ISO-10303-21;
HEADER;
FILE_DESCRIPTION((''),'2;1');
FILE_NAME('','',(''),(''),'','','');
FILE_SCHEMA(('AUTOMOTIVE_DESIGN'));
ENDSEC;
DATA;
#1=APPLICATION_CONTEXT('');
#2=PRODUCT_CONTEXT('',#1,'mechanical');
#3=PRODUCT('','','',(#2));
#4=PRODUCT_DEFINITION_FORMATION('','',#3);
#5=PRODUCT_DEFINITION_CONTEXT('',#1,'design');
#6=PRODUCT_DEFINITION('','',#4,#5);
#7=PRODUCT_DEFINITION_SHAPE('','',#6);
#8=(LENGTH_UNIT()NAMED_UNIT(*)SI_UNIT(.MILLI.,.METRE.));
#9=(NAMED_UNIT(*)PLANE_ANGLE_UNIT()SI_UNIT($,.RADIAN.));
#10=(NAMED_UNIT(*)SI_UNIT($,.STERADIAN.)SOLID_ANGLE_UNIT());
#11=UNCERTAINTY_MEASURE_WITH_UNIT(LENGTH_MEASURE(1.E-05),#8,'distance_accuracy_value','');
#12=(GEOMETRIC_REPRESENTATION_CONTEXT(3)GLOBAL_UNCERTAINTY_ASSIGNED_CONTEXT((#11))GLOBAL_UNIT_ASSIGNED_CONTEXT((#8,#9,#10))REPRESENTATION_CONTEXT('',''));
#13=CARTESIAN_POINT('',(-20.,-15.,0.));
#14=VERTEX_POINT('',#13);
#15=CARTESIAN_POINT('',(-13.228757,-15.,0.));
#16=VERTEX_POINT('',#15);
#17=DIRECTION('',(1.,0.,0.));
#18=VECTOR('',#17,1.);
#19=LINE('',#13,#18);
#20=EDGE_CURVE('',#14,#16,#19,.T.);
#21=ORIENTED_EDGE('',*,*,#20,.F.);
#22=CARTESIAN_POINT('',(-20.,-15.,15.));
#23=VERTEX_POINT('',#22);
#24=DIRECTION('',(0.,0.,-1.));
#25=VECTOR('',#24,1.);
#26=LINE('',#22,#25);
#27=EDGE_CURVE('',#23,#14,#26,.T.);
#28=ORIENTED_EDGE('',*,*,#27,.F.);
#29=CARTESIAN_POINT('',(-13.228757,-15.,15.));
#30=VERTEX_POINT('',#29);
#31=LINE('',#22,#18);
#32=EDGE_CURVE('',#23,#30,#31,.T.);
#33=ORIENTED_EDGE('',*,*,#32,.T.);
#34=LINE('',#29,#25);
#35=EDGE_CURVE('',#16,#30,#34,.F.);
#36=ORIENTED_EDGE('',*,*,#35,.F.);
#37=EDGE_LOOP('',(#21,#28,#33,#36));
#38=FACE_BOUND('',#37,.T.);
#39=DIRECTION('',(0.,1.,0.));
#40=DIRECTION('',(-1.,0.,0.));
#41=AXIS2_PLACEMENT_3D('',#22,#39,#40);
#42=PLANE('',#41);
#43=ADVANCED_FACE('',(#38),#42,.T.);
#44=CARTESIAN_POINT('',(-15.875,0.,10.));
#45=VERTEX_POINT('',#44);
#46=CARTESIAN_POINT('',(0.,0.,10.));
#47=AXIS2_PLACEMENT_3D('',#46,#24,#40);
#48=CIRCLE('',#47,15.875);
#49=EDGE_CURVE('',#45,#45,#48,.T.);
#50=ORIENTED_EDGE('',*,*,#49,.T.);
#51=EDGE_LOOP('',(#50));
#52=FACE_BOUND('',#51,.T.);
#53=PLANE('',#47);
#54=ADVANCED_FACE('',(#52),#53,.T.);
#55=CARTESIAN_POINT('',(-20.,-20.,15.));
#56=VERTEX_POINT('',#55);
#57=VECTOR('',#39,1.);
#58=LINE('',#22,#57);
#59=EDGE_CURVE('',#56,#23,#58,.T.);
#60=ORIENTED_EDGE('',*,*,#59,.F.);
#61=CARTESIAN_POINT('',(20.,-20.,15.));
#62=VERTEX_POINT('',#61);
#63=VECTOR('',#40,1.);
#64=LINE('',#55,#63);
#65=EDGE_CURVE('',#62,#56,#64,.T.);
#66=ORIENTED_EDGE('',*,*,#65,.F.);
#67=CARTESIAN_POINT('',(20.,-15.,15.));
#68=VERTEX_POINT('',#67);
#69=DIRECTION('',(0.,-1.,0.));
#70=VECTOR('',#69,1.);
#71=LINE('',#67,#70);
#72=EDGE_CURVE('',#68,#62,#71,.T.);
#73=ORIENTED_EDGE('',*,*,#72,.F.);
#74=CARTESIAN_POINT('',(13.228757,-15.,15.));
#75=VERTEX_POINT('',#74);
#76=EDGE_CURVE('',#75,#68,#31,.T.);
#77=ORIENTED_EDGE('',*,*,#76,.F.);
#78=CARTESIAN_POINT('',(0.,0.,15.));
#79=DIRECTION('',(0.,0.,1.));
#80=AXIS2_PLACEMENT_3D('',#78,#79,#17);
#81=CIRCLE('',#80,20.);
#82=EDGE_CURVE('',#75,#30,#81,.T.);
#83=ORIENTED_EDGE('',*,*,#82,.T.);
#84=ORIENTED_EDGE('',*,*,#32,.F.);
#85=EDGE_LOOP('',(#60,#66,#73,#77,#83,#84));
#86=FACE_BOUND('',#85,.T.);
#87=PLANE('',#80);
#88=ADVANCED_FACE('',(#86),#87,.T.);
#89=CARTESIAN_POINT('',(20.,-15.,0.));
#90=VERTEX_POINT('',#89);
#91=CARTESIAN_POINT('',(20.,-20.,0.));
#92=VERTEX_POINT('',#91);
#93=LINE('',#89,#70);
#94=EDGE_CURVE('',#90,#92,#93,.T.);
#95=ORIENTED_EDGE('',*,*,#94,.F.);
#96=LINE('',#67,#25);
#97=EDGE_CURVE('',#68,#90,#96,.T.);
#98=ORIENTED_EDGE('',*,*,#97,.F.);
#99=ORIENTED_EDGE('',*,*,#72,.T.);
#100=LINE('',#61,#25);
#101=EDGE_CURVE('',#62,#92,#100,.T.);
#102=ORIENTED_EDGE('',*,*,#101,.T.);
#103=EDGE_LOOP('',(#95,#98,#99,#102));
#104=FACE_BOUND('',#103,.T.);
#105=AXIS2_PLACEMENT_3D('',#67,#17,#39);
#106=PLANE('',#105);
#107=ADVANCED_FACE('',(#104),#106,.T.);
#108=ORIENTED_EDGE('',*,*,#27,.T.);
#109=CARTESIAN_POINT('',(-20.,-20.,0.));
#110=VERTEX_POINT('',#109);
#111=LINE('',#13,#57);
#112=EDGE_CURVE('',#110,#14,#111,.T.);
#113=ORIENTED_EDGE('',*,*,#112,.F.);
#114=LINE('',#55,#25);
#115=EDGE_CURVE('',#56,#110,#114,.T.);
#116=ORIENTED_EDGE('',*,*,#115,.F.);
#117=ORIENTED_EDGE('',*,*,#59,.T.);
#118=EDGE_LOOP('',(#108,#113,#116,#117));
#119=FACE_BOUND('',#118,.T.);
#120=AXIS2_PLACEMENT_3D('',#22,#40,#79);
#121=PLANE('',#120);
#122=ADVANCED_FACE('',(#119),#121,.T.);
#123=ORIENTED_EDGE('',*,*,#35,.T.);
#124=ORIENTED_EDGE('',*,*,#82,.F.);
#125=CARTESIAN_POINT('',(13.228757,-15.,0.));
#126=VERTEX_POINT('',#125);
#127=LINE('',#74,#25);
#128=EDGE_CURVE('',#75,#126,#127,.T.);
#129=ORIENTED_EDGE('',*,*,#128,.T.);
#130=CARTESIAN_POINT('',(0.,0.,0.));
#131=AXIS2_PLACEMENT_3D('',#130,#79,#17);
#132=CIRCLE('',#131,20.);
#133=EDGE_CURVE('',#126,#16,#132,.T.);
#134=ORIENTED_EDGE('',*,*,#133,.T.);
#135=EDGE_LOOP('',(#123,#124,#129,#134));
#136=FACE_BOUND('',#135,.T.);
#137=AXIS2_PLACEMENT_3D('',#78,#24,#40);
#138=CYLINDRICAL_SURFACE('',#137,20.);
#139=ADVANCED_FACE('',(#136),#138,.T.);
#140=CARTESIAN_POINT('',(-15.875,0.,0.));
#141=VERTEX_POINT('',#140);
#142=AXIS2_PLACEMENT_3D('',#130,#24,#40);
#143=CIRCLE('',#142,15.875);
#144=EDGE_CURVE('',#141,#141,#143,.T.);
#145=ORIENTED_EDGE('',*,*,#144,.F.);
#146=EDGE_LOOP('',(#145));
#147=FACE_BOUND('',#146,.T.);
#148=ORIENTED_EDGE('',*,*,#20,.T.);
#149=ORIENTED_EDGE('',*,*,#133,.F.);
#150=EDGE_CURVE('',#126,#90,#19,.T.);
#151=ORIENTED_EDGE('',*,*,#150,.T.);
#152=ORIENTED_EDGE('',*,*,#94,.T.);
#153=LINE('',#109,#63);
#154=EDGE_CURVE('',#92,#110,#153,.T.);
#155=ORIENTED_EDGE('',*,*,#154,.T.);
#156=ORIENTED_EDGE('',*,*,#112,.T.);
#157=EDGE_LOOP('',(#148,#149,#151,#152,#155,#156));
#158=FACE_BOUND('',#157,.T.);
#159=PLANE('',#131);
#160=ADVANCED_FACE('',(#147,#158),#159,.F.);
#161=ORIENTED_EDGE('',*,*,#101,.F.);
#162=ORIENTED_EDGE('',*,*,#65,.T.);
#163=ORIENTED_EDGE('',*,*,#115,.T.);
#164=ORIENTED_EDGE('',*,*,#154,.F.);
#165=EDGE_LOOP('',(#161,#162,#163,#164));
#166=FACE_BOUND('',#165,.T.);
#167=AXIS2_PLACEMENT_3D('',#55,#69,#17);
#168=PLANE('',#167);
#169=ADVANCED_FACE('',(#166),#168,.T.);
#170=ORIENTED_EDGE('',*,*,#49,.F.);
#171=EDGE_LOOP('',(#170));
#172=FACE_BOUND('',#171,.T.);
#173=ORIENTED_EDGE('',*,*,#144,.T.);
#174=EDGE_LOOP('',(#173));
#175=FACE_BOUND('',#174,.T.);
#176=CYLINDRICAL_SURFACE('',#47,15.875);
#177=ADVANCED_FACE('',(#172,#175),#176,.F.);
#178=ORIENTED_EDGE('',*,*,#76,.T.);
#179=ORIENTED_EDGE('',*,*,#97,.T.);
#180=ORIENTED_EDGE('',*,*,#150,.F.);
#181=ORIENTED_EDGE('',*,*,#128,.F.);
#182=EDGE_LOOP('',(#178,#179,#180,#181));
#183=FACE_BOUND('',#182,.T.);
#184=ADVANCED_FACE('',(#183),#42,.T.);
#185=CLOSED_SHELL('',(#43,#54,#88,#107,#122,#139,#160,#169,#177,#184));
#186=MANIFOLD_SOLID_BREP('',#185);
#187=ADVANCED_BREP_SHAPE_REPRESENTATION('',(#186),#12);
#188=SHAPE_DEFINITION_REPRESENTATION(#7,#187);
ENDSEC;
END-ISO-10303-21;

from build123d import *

# Parameters (mm, degrees)
SKETCH1_R           = 20
BOSS_EXTRUDE1_DEPTH = 15
SKETCH2_W           = 40
SKETCH2_H           = 5
BOSS_EXTRUDE2_DEPTH = 15
SKETCH3_R           = 15.875
CUT_EXTRUDE1_DEPTH  = 10


with BuildPart() as part:
    # Sketch1 → Boss-Extrude1 (new body)
    with BuildSketch(Plane.XY):
        Circle(SKETCH1_R)
    extrude(amount=BOSS_EXTRUDE1_DEPTH)

    # Sketch2 → Boss-Extrude2 (add)
    with BuildSketch(Plane(origin=(0, 0, 0), x_dir=(-1, 0, 0), z_dir=(0, 0, -1))):
        with Locations((0, -17.5)):
            Rectangle(SKETCH2_W, SKETCH2_H)
    extrude(amount=-BOSS_EXTRUDE2_DEPTH)

    # Sketch3 → Cut-Extrude1 (cut)
    with BuildSketch(Plane(origin=(0, 0, 0), x_dir=(-1, 0, 0), z_dir=(0, 0, -1))):
        Circle(SKETCH3_R)
    extrude(amount=-CUT_EXTRUDE1_DEPTH, mode=Mode.SUBTRACT)


solid = part.part
